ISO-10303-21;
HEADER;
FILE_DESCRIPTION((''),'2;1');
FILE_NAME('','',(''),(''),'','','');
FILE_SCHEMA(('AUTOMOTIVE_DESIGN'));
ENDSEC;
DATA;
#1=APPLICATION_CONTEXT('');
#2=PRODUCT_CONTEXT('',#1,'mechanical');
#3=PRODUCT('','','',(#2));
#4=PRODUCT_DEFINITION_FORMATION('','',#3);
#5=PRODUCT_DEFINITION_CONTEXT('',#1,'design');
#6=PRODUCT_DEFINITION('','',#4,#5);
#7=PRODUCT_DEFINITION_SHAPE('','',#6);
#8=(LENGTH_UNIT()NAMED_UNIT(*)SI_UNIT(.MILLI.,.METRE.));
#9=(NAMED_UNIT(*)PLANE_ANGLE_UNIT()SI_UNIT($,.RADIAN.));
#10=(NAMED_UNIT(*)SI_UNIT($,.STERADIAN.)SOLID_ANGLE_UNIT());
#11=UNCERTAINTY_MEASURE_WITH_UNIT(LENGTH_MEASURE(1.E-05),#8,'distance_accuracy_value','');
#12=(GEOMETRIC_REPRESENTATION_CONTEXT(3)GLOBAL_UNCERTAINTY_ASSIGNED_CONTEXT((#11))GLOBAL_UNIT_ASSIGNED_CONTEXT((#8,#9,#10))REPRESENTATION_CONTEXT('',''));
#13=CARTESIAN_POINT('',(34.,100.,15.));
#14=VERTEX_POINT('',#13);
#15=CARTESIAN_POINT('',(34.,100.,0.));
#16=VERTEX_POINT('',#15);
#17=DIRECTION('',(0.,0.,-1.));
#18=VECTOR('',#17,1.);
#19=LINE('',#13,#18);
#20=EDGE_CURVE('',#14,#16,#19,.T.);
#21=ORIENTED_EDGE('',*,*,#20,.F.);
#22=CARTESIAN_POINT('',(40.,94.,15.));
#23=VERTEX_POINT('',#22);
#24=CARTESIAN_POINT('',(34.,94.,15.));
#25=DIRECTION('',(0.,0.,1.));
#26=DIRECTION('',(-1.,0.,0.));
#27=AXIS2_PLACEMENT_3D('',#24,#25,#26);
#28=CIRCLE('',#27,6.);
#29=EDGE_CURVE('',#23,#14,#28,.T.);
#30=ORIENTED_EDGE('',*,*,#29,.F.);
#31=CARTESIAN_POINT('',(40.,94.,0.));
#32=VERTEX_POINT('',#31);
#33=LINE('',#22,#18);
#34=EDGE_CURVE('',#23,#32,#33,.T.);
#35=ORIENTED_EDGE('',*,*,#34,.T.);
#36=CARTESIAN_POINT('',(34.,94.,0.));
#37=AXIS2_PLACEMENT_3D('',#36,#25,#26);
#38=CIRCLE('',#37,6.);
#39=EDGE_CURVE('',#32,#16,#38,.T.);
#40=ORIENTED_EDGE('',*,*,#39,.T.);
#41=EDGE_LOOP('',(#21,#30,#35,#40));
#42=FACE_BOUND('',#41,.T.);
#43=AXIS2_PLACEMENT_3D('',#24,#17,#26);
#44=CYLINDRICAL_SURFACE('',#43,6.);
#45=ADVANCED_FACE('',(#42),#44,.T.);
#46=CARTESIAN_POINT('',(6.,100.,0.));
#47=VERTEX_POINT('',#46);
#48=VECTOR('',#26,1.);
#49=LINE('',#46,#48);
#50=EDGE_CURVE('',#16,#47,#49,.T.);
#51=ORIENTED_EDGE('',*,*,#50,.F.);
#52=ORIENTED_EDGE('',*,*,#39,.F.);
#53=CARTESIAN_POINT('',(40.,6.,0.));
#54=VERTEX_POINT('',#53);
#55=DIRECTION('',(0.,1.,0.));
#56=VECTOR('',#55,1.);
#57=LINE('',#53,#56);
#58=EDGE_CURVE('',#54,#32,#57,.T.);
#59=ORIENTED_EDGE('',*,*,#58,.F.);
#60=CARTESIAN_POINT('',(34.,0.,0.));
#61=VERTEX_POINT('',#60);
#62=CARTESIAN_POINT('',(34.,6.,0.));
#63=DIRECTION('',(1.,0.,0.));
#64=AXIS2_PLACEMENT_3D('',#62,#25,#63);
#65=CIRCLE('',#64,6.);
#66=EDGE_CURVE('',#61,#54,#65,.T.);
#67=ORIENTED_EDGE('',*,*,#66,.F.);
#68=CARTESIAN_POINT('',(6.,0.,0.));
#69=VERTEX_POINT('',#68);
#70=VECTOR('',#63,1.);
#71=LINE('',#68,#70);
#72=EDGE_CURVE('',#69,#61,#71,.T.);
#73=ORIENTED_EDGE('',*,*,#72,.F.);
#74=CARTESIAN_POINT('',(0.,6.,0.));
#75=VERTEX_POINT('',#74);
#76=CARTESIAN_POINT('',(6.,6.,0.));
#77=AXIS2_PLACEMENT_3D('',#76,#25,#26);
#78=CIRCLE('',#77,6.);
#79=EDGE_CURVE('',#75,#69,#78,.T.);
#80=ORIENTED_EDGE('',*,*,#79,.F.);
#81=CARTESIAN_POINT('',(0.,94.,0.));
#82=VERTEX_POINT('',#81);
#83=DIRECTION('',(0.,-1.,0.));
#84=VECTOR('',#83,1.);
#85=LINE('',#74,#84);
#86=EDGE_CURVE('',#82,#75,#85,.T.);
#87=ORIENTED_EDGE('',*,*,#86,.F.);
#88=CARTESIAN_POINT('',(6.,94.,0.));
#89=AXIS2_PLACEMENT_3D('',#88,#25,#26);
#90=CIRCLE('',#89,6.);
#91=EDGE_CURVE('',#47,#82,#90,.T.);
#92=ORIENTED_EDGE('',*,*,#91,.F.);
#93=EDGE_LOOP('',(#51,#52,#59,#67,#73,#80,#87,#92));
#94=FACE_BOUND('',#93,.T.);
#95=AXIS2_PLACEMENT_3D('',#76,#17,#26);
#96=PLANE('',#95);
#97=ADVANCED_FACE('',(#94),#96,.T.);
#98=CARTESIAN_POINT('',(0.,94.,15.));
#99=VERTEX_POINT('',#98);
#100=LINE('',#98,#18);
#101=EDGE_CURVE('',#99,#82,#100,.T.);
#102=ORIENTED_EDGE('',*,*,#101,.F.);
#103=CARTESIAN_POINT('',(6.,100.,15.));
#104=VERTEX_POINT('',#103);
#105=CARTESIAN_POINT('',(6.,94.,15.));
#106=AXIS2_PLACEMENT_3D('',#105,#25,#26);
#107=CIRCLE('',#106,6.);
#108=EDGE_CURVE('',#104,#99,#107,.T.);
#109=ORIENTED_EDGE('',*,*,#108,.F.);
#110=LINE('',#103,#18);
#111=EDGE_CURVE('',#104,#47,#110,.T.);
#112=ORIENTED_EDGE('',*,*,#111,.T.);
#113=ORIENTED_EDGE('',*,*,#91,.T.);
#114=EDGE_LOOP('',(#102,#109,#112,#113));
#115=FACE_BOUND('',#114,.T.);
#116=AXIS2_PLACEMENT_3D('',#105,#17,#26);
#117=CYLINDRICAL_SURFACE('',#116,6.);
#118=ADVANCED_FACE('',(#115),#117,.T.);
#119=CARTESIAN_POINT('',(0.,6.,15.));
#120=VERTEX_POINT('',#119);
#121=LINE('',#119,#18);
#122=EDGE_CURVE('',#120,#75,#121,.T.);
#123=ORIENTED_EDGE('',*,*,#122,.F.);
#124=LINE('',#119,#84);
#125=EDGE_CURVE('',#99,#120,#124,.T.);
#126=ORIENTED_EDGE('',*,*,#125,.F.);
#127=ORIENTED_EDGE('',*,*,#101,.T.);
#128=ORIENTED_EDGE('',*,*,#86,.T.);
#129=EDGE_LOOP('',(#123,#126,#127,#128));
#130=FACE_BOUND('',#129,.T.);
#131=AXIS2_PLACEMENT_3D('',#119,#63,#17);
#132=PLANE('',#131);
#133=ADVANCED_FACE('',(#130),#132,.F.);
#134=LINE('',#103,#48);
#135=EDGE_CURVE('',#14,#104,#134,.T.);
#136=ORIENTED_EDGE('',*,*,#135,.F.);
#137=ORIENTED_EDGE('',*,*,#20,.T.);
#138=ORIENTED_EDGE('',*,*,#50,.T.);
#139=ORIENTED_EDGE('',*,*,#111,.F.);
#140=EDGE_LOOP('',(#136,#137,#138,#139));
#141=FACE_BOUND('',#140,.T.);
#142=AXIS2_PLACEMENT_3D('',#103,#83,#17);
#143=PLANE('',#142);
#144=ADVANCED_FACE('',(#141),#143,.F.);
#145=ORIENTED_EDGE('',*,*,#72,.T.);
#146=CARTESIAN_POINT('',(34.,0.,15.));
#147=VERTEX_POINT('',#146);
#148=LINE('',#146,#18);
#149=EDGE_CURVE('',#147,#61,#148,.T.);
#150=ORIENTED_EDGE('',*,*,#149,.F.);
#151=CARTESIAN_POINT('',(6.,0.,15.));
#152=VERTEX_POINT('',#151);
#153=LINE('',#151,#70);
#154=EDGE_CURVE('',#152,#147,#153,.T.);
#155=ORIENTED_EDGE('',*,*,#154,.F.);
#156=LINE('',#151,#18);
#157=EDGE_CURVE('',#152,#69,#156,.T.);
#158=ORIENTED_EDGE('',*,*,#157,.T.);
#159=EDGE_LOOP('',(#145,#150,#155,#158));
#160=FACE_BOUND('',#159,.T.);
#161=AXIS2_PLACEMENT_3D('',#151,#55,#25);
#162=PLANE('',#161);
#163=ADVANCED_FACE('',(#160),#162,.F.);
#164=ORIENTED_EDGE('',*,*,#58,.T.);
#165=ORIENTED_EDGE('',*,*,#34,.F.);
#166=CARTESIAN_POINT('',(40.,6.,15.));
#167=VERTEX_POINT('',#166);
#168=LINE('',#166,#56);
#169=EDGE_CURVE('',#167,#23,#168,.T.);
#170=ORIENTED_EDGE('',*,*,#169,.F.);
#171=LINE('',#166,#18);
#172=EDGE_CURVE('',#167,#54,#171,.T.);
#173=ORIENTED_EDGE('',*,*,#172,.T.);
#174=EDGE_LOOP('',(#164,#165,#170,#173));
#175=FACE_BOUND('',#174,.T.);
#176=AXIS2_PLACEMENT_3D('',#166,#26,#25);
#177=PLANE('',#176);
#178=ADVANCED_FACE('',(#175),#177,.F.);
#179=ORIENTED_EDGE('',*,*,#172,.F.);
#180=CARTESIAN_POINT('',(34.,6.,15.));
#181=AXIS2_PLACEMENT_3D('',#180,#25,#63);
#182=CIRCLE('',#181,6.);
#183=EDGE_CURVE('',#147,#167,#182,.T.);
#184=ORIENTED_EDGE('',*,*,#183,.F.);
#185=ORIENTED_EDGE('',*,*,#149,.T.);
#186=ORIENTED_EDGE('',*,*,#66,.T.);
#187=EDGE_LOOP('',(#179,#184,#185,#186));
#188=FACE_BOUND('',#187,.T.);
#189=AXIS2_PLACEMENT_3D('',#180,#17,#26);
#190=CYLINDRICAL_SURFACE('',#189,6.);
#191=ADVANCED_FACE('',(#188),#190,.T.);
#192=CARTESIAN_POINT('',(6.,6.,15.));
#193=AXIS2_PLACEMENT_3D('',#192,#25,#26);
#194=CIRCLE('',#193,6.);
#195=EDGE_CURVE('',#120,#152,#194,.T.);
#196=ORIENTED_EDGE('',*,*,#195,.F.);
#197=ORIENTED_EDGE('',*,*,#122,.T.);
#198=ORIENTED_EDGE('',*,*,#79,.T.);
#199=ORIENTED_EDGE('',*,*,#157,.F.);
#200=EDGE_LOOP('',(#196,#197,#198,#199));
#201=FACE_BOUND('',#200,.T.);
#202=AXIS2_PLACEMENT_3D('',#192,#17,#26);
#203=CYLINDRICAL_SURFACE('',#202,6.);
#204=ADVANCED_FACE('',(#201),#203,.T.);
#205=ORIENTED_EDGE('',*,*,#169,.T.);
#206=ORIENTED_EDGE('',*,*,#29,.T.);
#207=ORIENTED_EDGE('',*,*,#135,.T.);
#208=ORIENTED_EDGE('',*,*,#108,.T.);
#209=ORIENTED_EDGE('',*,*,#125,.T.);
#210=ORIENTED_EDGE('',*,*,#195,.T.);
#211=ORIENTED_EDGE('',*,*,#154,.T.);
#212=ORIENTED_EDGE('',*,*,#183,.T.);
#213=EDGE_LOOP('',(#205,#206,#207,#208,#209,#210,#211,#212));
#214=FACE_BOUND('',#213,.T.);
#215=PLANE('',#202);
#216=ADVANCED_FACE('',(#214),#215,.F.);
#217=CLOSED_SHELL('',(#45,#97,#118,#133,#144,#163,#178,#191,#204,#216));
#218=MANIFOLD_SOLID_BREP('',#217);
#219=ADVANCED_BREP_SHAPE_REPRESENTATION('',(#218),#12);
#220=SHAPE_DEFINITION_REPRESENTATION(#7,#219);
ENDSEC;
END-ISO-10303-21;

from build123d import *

# Parameters (mm, degrees)
BOSS_EXTRUDE1_DEPTH = 15


with BuildPart() as part:
    # Sketch1 → Boss-Extrude1 (new body)
    with BuildSketch(Plane.XY):
        with BuildLine():
            Line((6, 0), (34, 0))
            ThreePointArc((34, 0), (38.242640687, 1.757359313), (40, 6))
            Line((40, 6), (40, 94))
            ThreePointArc((40, 94), (38.242640687, 98.242640687), (34, 100))
            Line((34, 100), (6, 100))
            ThreePointArc((6, 100), (1.757359313, 98.242640687), (0, 94))
            Line((0, 94), (0, 6))
            ThreePointArc((0, 6), (1.757359313, 1.757359313), (6, 0))
        make_face()
    extrude(amount=BOSS_EXTRUDE1_DEPTH)


solid = part.part
